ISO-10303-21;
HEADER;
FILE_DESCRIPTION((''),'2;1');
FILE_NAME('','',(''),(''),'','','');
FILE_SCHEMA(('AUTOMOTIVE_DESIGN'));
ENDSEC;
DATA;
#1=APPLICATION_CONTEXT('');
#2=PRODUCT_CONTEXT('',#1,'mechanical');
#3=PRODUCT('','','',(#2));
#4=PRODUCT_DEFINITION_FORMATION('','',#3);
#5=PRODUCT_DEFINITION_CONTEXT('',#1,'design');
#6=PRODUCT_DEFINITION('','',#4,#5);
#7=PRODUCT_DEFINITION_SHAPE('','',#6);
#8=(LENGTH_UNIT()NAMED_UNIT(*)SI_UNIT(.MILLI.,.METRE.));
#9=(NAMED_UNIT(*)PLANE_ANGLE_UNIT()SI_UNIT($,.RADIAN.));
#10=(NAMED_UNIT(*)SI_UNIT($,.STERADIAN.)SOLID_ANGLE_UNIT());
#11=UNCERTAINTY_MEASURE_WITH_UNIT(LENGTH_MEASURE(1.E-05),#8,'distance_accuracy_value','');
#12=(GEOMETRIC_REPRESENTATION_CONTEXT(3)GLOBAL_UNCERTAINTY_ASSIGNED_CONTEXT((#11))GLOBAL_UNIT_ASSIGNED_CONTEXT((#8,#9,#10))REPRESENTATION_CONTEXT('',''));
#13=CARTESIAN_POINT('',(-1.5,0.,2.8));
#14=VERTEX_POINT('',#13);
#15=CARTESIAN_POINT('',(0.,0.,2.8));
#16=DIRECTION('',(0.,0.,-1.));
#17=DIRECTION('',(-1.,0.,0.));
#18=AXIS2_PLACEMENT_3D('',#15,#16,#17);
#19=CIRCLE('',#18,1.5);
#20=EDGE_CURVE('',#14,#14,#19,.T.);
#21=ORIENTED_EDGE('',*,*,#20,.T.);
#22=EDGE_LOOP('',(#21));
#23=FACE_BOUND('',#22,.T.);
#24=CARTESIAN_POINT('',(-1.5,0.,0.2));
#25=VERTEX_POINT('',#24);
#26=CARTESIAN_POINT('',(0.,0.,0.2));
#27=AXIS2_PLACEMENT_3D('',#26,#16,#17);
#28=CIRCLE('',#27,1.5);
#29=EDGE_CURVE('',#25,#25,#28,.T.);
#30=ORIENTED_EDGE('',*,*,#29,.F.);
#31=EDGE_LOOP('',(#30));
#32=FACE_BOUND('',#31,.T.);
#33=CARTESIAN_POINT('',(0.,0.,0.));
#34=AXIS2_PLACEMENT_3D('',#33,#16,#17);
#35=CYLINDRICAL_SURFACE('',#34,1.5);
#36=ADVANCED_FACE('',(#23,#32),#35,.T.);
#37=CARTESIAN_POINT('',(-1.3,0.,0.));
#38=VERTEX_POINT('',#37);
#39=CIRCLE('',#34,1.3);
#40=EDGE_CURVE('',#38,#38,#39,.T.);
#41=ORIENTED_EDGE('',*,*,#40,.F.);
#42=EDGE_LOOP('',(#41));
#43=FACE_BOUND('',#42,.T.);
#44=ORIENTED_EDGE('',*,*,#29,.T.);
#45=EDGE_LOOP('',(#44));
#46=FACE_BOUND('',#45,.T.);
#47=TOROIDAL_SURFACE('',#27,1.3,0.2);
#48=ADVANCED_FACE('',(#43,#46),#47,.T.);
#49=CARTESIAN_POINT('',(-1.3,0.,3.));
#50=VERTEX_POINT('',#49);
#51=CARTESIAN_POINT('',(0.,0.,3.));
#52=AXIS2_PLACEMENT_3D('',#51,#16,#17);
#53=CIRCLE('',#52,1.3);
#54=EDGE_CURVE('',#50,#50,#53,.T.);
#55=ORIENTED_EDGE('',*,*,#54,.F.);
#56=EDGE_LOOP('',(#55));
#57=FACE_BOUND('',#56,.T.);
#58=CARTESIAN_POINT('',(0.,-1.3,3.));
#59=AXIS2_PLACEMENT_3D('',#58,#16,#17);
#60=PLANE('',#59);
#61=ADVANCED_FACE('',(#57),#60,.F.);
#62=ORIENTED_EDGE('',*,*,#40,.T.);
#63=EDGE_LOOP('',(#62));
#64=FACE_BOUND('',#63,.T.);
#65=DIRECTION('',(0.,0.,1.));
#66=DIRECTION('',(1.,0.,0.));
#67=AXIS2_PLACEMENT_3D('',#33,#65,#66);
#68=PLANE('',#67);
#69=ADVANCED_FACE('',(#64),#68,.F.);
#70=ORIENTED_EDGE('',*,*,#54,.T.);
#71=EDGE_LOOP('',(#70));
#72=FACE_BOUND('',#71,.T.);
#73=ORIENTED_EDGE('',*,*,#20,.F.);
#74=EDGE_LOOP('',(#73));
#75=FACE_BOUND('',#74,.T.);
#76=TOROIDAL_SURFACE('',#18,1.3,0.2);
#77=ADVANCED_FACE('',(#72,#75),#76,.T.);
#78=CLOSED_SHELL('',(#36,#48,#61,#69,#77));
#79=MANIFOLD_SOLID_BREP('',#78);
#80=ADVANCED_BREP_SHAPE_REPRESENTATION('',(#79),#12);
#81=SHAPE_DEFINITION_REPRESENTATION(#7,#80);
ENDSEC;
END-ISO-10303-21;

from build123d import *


with BuildPart() as part:
    # Эскиз2 → Повернуть1 (revolve)
    with BuildSketch(Plane(origin=(0, 0, 0), x_dir=(0, 0, -1), z_dir=(1, 0, 0)), mode=Mode.PRIVATE) as revolve_1_sk:
        with BuildLine():
            Line((0, 0), (-3, 0))
            Line((-3, 0), (-3, -1.3))
            ThreePointArc((-3, -1.3), (-2.941421356, -1.441421356), (-2.8, -1.5))
            Line((-2.8, -1.5), (-0.2, -1.5))
            ThreePointArc((-0.2, -1.5), (-0.058578644, -1.441421356), (0, -1.3))
            Line((0, -1.3), (0, 0))
        make_face()
    revolve(revolve_1_sk.sketch.rotate(Axis((0, 0, 0), (0, 0, 1)), 270), axis=Axis((0, 0, 0), (0, 0, 1)))


solid = part.part
